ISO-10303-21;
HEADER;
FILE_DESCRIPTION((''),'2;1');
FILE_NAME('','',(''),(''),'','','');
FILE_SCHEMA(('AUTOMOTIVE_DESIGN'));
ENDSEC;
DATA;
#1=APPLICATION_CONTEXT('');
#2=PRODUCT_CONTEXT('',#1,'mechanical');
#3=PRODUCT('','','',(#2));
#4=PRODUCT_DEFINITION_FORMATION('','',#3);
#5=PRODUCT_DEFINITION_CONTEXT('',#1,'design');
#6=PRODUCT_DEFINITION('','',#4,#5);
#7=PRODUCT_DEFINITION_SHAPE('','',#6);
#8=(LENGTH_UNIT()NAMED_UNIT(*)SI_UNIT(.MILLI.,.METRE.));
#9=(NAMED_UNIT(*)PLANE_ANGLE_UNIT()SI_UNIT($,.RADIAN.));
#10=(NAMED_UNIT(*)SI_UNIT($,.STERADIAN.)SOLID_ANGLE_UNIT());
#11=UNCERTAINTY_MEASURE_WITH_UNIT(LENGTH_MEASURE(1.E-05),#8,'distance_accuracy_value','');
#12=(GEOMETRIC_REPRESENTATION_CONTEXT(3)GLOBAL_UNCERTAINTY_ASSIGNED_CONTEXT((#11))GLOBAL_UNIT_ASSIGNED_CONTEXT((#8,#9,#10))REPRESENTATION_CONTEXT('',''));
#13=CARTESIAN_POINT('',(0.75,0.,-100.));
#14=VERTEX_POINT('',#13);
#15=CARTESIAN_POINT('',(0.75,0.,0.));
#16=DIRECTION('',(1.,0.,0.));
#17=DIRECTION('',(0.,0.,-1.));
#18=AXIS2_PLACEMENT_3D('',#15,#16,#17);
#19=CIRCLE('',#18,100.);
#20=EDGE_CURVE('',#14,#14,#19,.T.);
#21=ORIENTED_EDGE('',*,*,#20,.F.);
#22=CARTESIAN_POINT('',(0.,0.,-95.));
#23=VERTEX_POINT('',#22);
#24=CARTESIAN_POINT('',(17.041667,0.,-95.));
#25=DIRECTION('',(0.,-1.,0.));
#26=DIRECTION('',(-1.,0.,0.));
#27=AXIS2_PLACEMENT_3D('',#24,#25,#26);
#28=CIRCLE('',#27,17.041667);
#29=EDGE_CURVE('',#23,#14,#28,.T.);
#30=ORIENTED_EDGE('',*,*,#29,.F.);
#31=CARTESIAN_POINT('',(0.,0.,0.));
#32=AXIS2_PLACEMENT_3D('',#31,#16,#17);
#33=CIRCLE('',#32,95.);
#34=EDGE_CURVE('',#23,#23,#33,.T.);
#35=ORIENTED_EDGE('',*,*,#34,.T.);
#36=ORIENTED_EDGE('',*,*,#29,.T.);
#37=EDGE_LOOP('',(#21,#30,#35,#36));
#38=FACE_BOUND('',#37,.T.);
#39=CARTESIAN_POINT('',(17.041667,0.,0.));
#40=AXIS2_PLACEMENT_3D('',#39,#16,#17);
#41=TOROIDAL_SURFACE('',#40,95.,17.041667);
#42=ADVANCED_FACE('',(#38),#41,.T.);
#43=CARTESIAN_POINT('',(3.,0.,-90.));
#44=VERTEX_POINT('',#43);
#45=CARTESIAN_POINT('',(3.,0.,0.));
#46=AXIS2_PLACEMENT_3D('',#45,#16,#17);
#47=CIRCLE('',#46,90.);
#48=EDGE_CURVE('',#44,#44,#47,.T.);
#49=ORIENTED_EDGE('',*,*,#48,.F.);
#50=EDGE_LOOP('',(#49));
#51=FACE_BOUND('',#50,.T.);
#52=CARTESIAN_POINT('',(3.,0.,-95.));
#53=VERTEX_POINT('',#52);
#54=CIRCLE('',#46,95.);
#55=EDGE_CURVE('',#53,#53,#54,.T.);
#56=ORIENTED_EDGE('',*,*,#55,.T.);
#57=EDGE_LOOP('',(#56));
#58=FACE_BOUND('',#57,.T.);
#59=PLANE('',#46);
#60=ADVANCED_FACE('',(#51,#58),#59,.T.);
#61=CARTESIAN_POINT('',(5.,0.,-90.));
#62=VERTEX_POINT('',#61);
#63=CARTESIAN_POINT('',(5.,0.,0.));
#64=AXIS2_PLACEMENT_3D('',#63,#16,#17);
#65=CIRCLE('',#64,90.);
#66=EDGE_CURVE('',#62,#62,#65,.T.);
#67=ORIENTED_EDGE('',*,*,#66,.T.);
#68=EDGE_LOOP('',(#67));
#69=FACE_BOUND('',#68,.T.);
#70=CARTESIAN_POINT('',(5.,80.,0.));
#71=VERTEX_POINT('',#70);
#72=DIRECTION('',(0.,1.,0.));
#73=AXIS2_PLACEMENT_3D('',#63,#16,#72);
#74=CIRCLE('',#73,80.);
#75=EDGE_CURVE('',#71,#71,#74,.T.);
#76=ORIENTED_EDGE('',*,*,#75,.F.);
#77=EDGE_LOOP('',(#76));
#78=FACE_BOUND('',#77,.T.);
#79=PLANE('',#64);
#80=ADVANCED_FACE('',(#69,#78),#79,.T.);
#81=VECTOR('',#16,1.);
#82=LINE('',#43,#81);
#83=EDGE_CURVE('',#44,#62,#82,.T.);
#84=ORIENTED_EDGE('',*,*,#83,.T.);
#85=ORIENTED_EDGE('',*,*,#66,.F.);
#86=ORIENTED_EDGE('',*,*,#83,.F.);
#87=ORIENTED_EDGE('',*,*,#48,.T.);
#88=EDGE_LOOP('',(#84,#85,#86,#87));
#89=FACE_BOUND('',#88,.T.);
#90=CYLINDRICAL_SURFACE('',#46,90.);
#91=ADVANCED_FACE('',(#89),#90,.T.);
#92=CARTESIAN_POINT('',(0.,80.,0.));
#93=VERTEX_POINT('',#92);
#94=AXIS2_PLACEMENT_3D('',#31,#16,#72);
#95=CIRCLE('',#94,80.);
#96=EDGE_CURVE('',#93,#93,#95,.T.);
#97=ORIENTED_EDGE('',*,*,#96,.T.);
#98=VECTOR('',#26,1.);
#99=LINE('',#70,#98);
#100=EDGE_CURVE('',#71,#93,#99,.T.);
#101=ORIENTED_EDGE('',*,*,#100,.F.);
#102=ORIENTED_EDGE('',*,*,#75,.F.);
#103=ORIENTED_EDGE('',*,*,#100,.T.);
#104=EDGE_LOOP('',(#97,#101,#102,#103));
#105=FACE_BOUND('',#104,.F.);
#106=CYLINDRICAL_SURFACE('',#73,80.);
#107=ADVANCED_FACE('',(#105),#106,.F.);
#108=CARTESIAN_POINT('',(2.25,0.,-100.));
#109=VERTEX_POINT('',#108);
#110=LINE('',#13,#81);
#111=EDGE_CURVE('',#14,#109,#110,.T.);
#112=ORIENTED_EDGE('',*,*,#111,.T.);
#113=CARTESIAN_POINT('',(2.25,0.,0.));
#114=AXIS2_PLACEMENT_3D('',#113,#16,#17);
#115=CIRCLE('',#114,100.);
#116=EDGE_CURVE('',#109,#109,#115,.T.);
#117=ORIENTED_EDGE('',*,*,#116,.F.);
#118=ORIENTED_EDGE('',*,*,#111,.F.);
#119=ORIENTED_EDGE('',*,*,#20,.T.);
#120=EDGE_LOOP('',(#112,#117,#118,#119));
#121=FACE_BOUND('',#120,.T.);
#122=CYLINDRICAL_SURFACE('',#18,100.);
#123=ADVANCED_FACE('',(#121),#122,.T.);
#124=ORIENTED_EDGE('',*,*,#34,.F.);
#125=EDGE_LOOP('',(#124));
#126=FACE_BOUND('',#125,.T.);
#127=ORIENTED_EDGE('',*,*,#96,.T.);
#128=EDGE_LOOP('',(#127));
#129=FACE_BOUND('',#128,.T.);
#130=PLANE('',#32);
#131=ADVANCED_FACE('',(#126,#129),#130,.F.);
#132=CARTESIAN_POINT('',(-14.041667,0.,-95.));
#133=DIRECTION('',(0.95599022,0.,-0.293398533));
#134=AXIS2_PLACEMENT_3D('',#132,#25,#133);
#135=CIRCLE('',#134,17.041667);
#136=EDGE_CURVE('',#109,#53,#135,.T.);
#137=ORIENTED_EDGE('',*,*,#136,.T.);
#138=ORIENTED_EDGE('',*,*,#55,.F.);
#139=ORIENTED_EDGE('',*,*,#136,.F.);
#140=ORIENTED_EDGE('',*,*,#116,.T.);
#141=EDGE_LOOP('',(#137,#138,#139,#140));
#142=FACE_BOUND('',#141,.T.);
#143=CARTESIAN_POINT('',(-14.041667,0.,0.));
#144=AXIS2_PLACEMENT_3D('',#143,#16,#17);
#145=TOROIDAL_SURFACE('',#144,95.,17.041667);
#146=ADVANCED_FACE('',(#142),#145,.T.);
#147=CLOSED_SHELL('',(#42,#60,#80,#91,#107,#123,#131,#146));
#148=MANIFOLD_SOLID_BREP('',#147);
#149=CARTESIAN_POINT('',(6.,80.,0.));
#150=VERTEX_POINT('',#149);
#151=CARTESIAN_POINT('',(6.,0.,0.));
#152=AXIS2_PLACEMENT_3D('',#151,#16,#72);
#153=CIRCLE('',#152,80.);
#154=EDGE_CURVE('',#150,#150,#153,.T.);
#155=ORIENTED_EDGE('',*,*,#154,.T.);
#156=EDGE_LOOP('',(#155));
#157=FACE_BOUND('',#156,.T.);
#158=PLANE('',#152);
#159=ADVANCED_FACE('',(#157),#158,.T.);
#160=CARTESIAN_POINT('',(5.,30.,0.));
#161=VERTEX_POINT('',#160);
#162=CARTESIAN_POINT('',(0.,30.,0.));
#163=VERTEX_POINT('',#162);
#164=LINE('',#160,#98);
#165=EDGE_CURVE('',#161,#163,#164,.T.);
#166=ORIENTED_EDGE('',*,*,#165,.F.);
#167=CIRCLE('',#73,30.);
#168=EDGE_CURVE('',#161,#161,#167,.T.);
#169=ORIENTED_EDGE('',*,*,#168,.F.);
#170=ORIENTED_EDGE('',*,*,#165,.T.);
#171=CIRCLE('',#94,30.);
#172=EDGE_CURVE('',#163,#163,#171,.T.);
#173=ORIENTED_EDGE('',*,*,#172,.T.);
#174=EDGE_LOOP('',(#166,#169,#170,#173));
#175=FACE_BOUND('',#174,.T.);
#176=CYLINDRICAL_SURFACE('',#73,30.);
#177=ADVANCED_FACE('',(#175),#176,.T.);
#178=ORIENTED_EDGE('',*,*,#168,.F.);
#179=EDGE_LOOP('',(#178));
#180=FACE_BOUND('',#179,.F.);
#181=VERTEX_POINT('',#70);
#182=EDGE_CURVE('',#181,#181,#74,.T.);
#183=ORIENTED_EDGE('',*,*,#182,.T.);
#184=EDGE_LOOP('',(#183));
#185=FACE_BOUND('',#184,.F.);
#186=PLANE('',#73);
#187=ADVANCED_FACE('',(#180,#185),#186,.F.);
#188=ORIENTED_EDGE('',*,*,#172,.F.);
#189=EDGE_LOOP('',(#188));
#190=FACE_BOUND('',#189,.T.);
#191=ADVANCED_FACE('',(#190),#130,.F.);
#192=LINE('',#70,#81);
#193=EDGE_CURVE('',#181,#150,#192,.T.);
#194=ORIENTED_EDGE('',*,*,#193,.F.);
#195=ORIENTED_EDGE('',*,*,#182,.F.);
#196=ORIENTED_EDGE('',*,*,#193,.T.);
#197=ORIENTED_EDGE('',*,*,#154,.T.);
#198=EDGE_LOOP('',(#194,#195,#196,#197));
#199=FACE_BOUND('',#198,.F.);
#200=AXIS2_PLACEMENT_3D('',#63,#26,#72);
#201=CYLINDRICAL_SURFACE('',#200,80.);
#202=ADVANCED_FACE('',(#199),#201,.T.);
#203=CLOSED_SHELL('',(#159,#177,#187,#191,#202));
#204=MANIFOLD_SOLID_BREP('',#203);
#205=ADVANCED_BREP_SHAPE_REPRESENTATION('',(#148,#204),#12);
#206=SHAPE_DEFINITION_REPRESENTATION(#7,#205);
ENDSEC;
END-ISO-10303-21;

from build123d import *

# Parameters (mm, degrees)
F2_R      = 80
F2_R_2    = 30
F3_DEPTH  = 5.001
F3_FACE_R = 30
F4_DEPTH  = 1


with BuildPart() as f1:
    # F0 (on Front) → F1 (revolve)
    with BuildSketch(Plane.XZ):
        Polygon((5, 0), (0, 0), (0, -95), (3, -95), (3, -90), (5, -90), align=None)
        with BuildLine():
            Line((3, -95), (0, -95))
            ThreePointArc((0, -95), (0.1885429865, -97.527968552), (0.75, -100))
            Line((0.75, -100), (2.25, -100))
            ThreePointArc((2.25, -100), (2.8114570135, -97.527968552), (3, -95))
        make_face()
    revolve(axis=Axis((2.5, 0, 0), (1, 0, 0)))

    # F2 (on face) → F3 (cut, through all)
    with BuildSketch(Plane.YZ.offset(5)):
        Circle(F2_R)
        Circle(F2_R_2, mode=Mode.SUBTRACT)
    extrude(amount=-F3_DEPTH, mode=Mode.SUBTRACT)

    # F2 (on face) + F3_face (on face) → F4 (join)
    with BuildSketch(Plane.YZ.offset(5)):
        Circle(F2_R)
        Circle(F2_R_2, mode=Mode.SUBTRACT)
    with BuildSketch(Plane.YZ.offset(5)):
        Circle(F3_FACE_R)
    extrude(amount=F4_DEPTH)


solid = f1.part
